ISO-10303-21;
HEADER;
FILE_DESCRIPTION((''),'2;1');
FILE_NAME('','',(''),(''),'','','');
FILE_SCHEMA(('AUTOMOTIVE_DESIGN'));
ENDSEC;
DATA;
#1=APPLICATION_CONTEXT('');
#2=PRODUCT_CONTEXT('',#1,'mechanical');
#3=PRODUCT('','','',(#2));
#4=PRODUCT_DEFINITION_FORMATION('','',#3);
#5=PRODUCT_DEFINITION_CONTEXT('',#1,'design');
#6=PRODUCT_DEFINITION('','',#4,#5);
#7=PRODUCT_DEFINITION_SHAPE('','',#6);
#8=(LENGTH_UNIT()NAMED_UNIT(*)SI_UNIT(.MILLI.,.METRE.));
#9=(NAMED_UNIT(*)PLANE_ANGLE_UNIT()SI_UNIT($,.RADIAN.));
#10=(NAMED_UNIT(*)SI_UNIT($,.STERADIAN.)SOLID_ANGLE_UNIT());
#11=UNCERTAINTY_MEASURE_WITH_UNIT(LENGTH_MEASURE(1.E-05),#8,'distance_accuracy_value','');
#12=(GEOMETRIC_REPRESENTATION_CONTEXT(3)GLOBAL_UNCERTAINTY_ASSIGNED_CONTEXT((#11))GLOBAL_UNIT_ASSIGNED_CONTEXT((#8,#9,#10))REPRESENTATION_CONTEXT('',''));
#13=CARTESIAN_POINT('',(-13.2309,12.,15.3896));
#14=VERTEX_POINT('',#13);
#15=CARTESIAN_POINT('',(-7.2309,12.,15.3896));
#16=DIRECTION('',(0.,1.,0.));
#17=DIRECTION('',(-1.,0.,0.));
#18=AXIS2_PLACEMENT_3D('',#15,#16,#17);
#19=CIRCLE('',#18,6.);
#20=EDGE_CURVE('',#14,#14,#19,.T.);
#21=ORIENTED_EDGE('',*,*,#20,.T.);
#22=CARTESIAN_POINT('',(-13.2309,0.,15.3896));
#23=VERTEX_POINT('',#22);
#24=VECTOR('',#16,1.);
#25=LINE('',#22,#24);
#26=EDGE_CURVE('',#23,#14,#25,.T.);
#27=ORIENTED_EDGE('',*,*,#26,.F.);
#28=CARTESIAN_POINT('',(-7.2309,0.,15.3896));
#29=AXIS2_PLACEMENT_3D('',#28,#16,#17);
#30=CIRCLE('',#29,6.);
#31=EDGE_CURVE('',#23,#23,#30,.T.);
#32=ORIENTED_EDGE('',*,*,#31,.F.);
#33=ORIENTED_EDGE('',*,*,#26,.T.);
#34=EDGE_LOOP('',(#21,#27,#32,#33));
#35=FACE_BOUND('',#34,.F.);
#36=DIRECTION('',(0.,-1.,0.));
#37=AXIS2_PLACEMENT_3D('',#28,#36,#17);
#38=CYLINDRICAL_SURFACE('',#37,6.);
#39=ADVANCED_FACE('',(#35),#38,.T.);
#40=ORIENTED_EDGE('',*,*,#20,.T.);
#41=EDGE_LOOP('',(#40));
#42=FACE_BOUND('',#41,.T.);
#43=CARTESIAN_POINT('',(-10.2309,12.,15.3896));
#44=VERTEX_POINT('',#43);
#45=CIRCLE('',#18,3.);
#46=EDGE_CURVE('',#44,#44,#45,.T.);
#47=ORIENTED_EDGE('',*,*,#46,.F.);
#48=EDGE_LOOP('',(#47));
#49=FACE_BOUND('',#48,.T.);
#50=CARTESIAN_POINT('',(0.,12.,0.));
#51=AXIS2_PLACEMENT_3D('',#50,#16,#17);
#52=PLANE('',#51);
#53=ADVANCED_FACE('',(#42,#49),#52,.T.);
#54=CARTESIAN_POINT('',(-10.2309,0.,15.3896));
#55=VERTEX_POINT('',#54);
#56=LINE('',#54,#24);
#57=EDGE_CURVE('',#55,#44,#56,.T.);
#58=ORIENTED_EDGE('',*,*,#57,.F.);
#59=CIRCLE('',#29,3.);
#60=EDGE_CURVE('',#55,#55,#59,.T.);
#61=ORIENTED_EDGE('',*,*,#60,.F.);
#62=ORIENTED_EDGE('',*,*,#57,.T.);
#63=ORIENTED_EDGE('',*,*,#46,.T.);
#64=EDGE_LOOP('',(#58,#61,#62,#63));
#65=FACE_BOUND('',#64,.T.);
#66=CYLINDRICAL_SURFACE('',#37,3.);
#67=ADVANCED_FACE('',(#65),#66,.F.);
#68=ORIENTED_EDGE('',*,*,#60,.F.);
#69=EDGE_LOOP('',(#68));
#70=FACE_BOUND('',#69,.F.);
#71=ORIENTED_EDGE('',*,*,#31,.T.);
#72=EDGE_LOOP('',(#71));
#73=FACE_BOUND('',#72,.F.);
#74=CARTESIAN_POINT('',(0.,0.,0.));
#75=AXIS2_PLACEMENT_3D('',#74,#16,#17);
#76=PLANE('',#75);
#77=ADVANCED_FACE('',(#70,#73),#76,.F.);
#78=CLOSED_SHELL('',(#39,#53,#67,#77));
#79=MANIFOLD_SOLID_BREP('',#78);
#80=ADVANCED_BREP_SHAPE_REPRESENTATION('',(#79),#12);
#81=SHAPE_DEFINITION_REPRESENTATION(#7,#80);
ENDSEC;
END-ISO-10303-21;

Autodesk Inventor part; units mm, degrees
ref_plane "YZ Plane" through (0, 0, 0) normal (1, 0, 0) x (0, 1, 0)
ref_plane "XZ Plane" through (0, 0, 0) normal (0, 1, 0) x (-1, 0, 0)
ref_plane "XY Plane" through (0, 0, 0) normal (0, 0, 1) x (1, 0, 0)
sketch "Boceto1" plane through (0, 0, 0) normal (0, 1, 0) x (-1, 0, 0)
  circle A0 centre (7.2309, 15.3896) radius 3
  circle A1 centre (7.2309, 15.3896) radius 6
  point P0 (0, 0)
  dimension "d0" = 6
  dimension "d1" = 12
extrude "Extrusión1" add sketch "Boceto1" along normal blind 12
thread "Rosca1" size "M6x1" class "6H" standard "ISO Metric profile" length 100
properties part number "Distanciador para Laterales" material "Steel, High Strength, Low Alloy"
